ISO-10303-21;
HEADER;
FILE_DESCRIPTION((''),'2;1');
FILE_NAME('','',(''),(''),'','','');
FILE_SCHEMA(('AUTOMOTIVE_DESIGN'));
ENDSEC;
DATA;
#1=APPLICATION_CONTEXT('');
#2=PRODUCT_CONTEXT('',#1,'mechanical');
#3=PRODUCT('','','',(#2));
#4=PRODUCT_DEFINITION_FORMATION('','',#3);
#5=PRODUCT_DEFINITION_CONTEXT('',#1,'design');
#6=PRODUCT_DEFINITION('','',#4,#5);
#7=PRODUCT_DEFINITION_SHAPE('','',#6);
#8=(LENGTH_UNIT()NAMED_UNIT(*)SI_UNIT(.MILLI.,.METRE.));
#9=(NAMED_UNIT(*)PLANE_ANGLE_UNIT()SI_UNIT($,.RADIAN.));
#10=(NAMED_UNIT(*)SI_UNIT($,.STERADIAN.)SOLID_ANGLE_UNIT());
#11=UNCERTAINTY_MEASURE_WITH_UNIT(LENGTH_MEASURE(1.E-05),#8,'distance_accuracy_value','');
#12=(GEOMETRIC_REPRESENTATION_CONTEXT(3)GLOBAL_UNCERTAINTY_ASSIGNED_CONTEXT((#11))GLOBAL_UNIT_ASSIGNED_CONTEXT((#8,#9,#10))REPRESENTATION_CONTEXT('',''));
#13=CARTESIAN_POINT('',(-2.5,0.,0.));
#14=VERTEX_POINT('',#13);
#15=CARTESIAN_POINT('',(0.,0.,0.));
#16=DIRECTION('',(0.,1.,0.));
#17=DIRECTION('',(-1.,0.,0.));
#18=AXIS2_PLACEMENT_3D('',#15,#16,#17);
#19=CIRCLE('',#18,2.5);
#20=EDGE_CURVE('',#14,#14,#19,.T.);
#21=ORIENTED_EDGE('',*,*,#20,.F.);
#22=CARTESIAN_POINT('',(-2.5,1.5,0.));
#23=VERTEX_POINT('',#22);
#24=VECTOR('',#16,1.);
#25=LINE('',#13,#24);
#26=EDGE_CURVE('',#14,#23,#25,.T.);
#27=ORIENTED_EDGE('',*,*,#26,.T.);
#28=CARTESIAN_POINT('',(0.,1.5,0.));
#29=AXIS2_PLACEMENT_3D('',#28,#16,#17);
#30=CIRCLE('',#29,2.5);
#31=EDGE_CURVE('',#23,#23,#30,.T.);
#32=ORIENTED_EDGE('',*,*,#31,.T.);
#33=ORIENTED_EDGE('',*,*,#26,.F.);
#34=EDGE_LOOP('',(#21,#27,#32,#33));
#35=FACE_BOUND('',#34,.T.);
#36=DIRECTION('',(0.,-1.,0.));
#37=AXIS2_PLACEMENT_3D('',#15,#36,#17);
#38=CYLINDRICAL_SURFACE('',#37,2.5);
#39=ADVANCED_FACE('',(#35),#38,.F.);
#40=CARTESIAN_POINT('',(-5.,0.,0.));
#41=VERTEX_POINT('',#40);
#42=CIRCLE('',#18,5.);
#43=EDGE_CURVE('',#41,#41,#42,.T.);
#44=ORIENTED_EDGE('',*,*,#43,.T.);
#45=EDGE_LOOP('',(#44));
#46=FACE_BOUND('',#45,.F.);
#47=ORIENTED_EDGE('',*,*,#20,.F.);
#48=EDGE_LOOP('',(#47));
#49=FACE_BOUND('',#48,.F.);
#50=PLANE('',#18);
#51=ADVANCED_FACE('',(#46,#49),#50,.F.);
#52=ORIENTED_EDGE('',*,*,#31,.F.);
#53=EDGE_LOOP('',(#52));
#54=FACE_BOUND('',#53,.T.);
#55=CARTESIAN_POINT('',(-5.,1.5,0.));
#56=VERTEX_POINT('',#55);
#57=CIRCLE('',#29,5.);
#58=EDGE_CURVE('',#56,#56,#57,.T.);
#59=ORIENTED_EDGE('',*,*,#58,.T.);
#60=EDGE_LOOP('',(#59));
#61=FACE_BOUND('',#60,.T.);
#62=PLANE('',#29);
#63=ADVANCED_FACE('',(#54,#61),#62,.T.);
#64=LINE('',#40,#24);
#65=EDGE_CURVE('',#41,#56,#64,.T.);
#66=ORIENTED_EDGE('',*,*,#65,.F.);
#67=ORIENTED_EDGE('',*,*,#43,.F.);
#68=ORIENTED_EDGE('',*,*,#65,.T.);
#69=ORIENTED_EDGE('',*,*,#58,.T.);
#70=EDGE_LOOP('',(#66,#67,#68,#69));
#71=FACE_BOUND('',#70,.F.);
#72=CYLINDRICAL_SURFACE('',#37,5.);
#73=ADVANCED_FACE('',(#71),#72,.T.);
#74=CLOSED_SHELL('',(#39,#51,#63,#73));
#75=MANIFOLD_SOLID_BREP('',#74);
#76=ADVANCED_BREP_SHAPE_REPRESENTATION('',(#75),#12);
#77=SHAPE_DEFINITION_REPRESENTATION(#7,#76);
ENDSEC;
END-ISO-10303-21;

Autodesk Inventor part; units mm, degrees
ref_plane "YZ Plane" through (0, 0, 0) normal (1, 0, 0) x (0, 1, 0)
ref_plane "XZ Plane" through (0, 0, 0) normal (0, 1, 0) x (-1, 0, 0)
ref_plane "XY Plane" through (0, 0, 0) normal (0, 0, 1) x (1, 0, 0)
sketch "Sketch1" plane through (0, 0, 0) normal (0, 1, 0) x (-1, 0, 0)
  circle A0 centre (0, 0) radius 2.5
  circle A1 centre (0, 0) radius 5
  dimension "d0" = 5
  dimension "d1" = 10
extrude "Extrusion1" add sketch "Sketch1" along normal blind 1.5
properties part number "Bearing Washer"
